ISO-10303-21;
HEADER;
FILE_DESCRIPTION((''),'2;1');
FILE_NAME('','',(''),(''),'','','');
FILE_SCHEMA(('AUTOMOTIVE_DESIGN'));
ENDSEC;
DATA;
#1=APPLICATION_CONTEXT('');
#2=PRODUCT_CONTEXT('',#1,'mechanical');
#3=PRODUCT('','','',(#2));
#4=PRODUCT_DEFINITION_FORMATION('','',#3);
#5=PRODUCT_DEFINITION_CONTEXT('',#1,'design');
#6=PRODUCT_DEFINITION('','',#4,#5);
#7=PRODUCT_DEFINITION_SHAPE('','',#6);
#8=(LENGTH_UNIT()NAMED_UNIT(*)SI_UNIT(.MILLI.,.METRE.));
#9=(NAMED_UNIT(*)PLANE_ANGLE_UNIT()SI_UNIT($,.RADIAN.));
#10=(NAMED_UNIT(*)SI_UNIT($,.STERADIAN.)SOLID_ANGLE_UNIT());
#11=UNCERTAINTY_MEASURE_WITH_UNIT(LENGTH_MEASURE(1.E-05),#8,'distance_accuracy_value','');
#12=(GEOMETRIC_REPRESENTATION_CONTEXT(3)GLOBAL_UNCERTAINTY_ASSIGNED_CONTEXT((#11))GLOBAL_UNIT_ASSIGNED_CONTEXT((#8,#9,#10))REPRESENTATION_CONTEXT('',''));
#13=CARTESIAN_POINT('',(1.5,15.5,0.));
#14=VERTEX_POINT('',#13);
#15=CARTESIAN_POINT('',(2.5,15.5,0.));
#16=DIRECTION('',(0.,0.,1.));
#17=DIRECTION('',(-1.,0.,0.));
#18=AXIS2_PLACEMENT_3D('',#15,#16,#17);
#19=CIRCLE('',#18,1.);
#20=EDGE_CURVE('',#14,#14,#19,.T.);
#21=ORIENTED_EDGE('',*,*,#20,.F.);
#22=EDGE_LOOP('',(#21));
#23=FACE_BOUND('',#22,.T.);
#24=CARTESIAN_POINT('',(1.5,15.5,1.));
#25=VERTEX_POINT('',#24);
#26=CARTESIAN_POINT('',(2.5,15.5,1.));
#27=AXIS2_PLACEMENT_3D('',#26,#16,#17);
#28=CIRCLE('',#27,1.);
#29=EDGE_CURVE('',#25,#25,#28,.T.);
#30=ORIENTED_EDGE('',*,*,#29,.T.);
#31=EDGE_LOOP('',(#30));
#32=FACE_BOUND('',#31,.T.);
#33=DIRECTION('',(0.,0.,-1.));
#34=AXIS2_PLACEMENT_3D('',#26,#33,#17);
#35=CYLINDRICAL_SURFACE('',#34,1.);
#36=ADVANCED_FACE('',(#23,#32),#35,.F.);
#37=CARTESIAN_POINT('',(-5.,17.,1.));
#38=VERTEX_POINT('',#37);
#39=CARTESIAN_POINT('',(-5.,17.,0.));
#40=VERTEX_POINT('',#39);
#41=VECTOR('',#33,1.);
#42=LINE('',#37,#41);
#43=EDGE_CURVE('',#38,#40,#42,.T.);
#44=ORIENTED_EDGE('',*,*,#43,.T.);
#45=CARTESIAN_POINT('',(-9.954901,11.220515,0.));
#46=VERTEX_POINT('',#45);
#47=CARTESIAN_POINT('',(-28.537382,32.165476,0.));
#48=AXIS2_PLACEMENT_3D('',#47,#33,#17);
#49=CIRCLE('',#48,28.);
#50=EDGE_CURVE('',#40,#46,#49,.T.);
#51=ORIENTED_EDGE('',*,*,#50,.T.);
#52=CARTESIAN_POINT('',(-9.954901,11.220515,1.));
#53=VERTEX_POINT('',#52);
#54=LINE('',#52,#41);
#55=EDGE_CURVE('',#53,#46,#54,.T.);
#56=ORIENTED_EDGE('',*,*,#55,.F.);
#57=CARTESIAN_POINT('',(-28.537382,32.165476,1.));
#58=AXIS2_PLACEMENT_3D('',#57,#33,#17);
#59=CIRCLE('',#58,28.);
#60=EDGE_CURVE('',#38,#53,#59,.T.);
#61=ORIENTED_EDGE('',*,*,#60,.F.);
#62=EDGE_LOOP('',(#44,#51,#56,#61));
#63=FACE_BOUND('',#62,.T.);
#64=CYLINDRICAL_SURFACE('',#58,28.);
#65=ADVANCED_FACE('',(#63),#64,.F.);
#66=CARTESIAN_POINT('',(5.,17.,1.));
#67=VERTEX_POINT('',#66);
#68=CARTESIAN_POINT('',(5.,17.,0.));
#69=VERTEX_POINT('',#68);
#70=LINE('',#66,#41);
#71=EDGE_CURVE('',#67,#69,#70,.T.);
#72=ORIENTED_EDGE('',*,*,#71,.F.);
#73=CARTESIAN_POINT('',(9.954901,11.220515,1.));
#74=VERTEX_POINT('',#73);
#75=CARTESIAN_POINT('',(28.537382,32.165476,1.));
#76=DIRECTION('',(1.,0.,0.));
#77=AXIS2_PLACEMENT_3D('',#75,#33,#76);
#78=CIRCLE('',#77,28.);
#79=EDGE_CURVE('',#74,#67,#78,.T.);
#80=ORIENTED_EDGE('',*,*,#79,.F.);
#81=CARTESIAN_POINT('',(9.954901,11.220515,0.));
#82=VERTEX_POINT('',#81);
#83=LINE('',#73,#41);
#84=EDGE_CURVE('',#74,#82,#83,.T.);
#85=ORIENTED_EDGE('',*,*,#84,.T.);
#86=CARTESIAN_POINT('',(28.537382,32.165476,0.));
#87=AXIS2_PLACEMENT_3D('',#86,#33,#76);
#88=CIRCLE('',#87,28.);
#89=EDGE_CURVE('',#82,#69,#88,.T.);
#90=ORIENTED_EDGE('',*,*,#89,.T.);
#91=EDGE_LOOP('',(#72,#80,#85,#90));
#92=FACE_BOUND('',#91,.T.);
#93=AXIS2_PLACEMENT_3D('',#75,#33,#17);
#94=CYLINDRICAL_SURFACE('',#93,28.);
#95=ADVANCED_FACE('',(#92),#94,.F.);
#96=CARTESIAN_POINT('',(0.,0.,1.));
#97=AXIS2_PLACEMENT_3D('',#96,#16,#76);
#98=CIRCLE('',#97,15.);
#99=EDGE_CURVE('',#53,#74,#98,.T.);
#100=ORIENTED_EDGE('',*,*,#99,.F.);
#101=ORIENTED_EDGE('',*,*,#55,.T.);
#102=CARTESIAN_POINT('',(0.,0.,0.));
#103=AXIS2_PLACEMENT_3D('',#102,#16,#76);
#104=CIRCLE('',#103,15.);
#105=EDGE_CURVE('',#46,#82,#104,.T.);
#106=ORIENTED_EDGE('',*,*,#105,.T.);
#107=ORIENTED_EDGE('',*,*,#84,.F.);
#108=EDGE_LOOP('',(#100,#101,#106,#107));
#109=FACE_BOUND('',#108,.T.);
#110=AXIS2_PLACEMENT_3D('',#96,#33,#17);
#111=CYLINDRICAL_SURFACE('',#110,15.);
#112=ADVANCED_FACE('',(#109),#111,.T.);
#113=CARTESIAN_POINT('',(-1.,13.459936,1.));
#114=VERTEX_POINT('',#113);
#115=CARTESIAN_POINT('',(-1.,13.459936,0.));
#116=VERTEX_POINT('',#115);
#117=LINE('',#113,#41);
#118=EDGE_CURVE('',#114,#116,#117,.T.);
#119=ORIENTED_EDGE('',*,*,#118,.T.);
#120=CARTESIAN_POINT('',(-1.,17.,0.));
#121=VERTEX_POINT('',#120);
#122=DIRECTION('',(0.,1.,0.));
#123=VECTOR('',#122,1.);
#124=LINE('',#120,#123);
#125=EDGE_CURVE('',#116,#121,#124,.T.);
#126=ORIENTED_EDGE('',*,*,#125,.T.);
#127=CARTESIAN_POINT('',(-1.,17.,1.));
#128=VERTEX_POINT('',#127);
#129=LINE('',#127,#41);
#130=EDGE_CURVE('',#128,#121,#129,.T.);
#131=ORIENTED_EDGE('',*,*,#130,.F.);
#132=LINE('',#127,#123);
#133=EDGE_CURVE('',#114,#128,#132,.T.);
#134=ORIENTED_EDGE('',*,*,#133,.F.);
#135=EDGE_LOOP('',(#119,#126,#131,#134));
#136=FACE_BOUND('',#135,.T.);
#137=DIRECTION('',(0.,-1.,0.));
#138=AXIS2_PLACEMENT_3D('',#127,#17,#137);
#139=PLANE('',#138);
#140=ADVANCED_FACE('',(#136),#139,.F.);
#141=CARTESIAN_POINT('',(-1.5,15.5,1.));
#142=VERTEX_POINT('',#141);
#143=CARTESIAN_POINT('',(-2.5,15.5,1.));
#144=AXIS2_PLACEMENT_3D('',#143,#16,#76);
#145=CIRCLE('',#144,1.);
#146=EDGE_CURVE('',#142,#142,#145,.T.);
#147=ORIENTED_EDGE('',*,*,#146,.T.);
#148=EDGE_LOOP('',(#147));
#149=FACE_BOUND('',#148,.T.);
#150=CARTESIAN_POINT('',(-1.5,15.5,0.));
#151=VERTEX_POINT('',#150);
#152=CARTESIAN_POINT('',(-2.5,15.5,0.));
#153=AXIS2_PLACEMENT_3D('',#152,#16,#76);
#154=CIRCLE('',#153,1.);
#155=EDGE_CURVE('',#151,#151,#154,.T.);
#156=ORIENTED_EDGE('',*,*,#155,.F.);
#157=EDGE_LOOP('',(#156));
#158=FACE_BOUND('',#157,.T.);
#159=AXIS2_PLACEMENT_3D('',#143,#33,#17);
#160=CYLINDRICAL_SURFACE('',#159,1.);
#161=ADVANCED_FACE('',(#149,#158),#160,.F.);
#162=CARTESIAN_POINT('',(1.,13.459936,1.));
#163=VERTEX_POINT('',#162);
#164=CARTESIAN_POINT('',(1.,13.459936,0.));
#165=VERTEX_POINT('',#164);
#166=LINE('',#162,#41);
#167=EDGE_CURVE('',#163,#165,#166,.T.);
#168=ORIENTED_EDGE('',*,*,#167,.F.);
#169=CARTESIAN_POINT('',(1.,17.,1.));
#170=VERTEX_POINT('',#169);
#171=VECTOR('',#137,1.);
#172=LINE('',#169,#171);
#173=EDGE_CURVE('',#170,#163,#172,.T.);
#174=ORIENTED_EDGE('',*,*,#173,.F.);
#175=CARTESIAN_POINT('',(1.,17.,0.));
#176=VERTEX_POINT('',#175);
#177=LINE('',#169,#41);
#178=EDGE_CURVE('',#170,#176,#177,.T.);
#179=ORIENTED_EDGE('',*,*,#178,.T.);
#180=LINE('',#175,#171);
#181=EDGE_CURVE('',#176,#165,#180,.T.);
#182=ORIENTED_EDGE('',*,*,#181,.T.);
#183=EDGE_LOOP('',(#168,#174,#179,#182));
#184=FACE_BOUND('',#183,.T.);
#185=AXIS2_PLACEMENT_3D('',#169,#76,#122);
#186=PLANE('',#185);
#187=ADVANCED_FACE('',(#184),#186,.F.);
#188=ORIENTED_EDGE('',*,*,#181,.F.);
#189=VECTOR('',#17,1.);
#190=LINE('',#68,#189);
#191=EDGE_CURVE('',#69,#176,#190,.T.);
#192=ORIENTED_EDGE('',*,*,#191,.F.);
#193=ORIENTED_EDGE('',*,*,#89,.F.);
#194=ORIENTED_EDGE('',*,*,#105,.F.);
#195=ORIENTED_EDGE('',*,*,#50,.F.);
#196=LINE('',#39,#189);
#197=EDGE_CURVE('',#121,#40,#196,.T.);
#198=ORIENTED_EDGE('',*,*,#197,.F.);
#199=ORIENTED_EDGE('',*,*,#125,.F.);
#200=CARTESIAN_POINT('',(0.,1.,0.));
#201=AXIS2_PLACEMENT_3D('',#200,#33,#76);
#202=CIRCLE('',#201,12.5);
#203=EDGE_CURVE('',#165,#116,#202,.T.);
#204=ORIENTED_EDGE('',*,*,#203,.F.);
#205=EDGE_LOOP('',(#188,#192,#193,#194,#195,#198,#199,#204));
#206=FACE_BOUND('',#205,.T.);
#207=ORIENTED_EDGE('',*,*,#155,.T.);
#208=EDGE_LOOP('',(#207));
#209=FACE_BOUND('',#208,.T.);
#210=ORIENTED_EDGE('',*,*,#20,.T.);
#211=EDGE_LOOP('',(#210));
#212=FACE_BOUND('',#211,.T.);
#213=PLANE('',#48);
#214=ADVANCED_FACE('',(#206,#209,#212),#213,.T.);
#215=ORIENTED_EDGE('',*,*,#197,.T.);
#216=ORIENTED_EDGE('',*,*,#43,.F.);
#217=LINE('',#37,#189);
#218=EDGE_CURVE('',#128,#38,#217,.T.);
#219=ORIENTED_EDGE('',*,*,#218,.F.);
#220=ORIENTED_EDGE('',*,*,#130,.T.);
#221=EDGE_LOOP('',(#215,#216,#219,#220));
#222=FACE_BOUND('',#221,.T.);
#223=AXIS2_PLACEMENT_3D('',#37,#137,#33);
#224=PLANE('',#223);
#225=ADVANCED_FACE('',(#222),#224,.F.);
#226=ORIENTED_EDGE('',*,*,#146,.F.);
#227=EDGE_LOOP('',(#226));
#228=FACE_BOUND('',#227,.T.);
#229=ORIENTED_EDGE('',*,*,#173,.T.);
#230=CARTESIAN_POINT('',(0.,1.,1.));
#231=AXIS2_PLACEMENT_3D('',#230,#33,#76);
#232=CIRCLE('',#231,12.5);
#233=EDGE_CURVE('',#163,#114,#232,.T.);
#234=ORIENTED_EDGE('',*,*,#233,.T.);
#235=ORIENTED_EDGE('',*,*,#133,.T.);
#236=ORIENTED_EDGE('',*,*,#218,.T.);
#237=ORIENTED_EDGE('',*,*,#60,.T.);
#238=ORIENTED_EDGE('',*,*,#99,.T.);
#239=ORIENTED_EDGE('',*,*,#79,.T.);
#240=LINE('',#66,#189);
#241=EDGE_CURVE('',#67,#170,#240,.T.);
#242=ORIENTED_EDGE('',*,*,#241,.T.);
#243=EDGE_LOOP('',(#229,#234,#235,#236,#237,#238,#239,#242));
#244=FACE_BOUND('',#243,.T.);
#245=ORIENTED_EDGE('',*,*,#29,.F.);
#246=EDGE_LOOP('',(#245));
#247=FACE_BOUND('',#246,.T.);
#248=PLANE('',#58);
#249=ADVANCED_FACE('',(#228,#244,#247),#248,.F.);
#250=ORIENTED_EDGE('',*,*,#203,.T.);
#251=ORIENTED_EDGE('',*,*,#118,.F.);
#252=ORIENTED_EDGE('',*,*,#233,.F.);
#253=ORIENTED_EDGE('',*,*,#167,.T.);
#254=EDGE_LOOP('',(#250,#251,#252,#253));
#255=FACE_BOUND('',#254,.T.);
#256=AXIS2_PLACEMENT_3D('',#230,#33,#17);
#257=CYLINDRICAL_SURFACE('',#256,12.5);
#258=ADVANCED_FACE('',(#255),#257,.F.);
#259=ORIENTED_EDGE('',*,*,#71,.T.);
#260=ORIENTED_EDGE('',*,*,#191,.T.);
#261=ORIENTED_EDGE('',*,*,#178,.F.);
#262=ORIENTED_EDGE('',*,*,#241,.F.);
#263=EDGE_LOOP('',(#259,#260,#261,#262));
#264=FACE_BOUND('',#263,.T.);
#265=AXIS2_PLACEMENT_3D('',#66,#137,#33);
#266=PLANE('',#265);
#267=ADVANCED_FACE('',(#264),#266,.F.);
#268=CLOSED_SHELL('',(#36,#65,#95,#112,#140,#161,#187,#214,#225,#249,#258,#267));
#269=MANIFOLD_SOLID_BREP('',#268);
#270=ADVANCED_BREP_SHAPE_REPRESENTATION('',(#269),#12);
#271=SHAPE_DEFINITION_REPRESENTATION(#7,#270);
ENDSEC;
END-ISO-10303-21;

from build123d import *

# Parameters (mm, degrees)
SKETCH1_R           = 1
BOSS_EXTRUDE1_DEPTH = 1


with BuildPart() as part:
    # Sketch1 → Boss-Extrude1 (new body)
    with BuildSketch(Plane.XY):
        with BuildLine():
            Line((-5, 17), (-1, 17))
            Line((-1, 17), (-1, 13.459935794))
            ThreePointArc((-1, 13.459935794), (0, -11.5), (1, 13.459935794))
            Line((1, 13.459935794), (1, 17))
            Line((1, 17), (5, 17))
            ThreePointArc((5, 17), (7.280116529, 13.941078138), (9.954900605, 11.22051487))
            ThreePointArc((9.954900605, 11.22051487), (0, -15), (-9.954900605, 11.22051487))
            ThreePointArc((-9.954900605, 11.22051487), (-7.280116529, 13.941078138), (-5, 17))
        make_face()
        with Locations((-2.5, 15.5)):
            Circle(SKETCH1_R, mode=Mode.SUBTRACT)
        with Locations(Location((2.5, 15.5, 0), (0, 0, 180))):
            Circle(SKETCH1_R, mode=Mode.SUBTRACT)
    extrude(amount=BOSS_EXTRUDE1_DEPTH)


solid = part.part
